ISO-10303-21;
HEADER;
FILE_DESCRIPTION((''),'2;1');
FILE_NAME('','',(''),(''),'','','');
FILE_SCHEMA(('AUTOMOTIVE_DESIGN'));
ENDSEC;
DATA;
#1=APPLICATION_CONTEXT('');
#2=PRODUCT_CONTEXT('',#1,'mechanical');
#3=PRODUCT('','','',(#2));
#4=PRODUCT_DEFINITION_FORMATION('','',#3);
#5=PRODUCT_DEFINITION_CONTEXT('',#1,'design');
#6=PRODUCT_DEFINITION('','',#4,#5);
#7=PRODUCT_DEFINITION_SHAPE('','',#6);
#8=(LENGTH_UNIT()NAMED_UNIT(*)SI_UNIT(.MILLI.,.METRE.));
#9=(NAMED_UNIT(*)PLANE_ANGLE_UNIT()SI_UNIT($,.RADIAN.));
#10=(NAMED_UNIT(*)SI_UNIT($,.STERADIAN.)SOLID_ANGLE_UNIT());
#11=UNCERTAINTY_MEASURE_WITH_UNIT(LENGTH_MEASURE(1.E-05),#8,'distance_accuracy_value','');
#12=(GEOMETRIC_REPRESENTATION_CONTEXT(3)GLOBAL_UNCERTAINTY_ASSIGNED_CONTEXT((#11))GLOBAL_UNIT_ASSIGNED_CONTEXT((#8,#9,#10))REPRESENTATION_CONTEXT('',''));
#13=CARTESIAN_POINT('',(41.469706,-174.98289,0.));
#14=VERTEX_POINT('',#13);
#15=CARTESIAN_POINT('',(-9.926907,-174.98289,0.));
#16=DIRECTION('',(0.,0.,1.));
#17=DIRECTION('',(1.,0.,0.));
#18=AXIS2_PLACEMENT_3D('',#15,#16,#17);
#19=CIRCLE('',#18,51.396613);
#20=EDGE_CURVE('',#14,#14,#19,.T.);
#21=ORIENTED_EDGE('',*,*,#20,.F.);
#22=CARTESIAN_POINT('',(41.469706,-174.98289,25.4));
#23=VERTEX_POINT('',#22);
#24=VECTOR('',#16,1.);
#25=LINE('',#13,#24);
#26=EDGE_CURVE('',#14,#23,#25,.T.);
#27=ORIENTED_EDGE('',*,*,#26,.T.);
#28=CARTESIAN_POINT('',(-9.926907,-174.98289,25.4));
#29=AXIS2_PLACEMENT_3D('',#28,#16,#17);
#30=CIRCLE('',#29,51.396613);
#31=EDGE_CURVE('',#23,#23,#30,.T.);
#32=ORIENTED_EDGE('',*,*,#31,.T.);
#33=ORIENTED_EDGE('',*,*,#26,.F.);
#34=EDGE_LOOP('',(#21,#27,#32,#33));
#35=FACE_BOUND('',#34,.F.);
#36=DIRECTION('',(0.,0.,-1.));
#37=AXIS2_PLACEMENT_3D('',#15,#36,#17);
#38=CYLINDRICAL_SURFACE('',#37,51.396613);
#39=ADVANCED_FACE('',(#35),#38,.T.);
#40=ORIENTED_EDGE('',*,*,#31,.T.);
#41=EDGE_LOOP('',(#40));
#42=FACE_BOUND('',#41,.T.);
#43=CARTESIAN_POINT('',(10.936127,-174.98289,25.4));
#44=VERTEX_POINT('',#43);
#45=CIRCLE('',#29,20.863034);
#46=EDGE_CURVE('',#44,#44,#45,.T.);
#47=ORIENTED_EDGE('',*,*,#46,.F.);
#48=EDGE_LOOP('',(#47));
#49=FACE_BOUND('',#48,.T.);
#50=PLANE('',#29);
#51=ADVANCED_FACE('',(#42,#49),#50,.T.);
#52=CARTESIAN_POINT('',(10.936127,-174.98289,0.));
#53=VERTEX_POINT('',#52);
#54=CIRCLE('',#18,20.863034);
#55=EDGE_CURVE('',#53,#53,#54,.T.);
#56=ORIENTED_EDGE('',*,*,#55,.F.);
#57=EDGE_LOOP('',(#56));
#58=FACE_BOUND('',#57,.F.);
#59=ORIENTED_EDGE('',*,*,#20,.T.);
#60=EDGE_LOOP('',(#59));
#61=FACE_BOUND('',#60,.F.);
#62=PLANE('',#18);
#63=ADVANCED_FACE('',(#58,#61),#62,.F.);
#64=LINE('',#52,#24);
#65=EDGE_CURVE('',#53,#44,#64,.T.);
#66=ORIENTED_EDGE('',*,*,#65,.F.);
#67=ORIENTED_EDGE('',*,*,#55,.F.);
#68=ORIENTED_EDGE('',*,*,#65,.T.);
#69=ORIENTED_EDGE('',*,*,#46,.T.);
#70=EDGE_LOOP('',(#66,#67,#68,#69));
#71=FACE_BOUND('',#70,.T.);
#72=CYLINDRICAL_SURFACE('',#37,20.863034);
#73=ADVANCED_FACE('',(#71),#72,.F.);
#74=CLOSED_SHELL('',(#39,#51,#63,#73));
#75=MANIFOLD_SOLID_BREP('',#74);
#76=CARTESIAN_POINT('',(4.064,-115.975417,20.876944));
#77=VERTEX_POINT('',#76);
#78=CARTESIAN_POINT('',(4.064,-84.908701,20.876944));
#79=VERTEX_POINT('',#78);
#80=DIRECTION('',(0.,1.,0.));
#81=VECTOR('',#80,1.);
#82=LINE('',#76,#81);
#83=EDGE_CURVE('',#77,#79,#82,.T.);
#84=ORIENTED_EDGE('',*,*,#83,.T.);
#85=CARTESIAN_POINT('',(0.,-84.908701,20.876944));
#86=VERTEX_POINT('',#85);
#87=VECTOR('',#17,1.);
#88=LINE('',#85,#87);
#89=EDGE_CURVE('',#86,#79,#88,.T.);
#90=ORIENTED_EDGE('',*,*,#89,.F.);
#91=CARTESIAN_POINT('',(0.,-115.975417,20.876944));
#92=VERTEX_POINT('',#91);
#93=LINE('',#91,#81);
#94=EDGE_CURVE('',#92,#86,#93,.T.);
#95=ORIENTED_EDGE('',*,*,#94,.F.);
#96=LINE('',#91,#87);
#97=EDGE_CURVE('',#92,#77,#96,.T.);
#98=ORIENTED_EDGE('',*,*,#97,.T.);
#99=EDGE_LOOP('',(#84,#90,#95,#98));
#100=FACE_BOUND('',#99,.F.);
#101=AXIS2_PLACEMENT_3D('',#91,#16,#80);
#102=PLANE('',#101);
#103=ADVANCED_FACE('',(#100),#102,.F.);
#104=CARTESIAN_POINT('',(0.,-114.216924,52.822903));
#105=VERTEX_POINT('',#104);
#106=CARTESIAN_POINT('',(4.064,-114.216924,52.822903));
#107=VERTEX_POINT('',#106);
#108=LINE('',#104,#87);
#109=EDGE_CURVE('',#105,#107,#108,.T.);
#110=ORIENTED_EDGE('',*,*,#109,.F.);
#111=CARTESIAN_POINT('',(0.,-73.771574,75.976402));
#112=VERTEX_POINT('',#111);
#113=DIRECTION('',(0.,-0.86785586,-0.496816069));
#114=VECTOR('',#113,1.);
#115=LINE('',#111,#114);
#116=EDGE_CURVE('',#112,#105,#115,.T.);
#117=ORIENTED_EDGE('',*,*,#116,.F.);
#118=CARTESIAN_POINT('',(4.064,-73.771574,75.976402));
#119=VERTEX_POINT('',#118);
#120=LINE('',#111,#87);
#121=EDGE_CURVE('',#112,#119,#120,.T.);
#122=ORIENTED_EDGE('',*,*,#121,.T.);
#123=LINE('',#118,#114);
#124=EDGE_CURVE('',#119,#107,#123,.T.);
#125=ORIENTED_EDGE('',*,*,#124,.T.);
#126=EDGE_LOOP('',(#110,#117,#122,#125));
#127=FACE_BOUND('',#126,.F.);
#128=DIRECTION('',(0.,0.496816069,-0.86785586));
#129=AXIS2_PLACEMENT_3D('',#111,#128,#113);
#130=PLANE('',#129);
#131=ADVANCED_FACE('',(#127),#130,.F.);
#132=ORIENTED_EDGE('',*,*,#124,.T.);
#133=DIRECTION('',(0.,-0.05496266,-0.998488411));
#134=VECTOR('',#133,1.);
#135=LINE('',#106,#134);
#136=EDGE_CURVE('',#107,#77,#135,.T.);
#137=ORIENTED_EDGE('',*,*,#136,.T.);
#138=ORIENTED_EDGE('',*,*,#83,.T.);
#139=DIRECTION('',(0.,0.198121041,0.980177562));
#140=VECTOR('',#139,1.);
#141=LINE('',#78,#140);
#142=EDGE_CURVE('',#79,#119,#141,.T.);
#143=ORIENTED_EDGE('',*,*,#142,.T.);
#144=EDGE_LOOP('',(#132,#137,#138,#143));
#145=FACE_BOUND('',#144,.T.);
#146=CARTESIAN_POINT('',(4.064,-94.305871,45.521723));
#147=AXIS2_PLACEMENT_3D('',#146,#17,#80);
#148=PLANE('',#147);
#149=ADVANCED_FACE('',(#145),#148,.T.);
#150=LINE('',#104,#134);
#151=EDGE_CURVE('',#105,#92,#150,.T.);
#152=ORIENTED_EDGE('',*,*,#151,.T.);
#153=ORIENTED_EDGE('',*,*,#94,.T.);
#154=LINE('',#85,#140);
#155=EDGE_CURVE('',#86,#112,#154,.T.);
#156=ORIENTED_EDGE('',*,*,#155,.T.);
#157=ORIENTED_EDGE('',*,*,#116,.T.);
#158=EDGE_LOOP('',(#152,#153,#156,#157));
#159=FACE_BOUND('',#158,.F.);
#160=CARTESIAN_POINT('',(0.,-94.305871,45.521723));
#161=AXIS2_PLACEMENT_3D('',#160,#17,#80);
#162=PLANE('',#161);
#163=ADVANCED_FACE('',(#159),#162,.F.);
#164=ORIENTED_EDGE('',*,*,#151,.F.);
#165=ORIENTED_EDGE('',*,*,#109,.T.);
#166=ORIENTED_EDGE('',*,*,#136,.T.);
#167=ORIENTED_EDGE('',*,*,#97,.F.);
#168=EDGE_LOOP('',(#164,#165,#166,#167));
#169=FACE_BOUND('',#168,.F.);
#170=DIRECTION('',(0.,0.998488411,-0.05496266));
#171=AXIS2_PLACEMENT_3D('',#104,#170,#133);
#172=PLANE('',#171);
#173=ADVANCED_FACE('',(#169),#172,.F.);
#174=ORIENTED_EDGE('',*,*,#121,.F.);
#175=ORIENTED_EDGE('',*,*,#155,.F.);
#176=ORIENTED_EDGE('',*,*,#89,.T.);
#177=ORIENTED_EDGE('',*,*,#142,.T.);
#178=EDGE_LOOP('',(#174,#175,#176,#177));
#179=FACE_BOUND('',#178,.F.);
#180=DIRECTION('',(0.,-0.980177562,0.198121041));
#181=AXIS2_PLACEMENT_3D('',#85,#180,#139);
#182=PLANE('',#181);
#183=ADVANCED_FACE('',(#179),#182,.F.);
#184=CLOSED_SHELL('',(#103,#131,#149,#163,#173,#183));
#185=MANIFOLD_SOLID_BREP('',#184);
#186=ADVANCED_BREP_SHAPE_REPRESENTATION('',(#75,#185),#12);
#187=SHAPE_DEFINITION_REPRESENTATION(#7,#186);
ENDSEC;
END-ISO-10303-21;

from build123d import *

# Parameters (mm, degrees)
F0_R     = 51.396613
F0_R_2   = 20.863034
F1_DEPTH = 25.4
F3_DEPTH = 4.064


with BuildPart() as f1:
    # F0 (on Top) → F1 (new body)
    with BuildSketch(Plane.XY):
        with Locations((-9.926907, -174.98289)):
            Circle(F0_R)
        with Locations((-9.926907, -174.98289)):
            Circle(F0_R_2, mode=Mode.SUBTRACT)
    extrude(amount=F1_DEPTH)


with BuildPart() as f3:
    # F2 (on Right) → F3 (new body)
    with BuildSketch(Plane.YZ):
        Polygon((-114.216924, 52.822903), (-115.975417, 20.876944), (-84.908701, 20.876944), (-73.771574, 75.976402), align=None)
    extrude(amount=F3_DEPTH)


solid = Compound([f1.part, f3.part])
